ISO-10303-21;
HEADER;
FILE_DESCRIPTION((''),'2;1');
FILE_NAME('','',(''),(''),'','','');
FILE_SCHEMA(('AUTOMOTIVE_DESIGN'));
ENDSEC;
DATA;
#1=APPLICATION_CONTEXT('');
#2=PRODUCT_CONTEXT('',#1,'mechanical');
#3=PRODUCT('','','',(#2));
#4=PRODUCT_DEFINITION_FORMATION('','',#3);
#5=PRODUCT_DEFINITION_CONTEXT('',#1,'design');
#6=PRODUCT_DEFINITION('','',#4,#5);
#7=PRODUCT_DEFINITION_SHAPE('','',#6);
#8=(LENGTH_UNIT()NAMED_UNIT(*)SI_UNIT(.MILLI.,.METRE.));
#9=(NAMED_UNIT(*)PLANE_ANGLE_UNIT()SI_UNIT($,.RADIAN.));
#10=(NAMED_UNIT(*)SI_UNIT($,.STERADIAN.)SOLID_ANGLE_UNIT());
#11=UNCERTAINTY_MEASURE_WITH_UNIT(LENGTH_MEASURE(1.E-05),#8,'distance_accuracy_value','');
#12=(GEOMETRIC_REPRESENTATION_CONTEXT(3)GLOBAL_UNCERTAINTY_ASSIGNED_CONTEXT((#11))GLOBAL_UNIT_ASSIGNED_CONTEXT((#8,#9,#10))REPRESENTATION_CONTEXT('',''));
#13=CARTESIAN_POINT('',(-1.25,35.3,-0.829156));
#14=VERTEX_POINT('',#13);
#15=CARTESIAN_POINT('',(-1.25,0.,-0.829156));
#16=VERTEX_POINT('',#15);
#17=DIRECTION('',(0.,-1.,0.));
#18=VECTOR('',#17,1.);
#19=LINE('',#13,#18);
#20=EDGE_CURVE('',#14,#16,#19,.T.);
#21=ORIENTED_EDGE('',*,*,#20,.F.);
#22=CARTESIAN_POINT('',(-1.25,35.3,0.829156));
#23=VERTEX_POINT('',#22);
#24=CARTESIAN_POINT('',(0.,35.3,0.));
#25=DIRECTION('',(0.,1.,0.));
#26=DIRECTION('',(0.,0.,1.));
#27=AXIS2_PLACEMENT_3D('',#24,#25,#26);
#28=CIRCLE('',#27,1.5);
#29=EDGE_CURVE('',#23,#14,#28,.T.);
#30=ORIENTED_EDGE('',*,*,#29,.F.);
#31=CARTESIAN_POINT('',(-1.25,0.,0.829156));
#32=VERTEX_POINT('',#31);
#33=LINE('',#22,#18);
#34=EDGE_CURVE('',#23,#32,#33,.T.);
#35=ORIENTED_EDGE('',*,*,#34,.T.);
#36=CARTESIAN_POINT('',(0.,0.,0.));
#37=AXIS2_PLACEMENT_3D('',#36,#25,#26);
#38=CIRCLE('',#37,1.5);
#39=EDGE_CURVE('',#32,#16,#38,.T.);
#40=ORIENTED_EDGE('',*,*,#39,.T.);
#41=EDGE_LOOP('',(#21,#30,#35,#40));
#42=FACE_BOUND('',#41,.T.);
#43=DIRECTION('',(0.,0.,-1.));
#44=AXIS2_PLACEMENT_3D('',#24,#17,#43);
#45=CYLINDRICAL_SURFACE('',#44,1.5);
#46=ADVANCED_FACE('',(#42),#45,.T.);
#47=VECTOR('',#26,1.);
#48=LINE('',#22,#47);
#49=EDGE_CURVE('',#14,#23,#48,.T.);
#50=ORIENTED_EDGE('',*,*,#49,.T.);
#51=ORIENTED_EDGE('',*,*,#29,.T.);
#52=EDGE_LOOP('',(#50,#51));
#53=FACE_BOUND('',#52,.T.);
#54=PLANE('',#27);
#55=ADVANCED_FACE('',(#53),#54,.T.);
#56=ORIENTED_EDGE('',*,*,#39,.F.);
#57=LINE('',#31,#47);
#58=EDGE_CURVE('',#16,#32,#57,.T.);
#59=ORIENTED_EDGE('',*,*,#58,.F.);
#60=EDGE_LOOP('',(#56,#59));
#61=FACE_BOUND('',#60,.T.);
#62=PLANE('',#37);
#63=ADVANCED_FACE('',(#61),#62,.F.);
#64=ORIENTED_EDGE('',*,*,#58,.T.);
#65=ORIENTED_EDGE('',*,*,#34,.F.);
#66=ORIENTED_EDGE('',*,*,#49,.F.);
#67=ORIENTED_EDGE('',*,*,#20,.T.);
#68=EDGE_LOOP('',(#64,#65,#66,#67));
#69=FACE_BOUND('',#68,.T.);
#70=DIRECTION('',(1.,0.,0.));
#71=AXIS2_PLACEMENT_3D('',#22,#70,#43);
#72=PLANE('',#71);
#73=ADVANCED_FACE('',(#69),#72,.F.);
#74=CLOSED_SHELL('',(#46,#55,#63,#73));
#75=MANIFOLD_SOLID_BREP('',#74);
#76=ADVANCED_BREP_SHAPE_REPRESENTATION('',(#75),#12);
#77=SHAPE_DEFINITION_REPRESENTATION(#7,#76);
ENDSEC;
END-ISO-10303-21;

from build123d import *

# Parameters (mm, degrees)
BOSS_EXTRUDE1_DEPTH = 35.3


with BuildPart() as part:
    # Sketch1 → Boss-Extrude1 (new body)
    with BuildSketch(Plane(origin=(0, 0, 0), x_dir=(1, 0, 0), z_dir=(0, 1, 0))):
        with BuildLine():
            Line((-1.25, -0.829156198), (-1.25, 0.829156198))
            ThreePointArc((-1.25, 0.829156198), (1.5, 0), (-1.25, -0.829156198))
        make_face()
    extrude(amount=BOSS_EXTRUDE1_DEPTH)


solid = part.part
